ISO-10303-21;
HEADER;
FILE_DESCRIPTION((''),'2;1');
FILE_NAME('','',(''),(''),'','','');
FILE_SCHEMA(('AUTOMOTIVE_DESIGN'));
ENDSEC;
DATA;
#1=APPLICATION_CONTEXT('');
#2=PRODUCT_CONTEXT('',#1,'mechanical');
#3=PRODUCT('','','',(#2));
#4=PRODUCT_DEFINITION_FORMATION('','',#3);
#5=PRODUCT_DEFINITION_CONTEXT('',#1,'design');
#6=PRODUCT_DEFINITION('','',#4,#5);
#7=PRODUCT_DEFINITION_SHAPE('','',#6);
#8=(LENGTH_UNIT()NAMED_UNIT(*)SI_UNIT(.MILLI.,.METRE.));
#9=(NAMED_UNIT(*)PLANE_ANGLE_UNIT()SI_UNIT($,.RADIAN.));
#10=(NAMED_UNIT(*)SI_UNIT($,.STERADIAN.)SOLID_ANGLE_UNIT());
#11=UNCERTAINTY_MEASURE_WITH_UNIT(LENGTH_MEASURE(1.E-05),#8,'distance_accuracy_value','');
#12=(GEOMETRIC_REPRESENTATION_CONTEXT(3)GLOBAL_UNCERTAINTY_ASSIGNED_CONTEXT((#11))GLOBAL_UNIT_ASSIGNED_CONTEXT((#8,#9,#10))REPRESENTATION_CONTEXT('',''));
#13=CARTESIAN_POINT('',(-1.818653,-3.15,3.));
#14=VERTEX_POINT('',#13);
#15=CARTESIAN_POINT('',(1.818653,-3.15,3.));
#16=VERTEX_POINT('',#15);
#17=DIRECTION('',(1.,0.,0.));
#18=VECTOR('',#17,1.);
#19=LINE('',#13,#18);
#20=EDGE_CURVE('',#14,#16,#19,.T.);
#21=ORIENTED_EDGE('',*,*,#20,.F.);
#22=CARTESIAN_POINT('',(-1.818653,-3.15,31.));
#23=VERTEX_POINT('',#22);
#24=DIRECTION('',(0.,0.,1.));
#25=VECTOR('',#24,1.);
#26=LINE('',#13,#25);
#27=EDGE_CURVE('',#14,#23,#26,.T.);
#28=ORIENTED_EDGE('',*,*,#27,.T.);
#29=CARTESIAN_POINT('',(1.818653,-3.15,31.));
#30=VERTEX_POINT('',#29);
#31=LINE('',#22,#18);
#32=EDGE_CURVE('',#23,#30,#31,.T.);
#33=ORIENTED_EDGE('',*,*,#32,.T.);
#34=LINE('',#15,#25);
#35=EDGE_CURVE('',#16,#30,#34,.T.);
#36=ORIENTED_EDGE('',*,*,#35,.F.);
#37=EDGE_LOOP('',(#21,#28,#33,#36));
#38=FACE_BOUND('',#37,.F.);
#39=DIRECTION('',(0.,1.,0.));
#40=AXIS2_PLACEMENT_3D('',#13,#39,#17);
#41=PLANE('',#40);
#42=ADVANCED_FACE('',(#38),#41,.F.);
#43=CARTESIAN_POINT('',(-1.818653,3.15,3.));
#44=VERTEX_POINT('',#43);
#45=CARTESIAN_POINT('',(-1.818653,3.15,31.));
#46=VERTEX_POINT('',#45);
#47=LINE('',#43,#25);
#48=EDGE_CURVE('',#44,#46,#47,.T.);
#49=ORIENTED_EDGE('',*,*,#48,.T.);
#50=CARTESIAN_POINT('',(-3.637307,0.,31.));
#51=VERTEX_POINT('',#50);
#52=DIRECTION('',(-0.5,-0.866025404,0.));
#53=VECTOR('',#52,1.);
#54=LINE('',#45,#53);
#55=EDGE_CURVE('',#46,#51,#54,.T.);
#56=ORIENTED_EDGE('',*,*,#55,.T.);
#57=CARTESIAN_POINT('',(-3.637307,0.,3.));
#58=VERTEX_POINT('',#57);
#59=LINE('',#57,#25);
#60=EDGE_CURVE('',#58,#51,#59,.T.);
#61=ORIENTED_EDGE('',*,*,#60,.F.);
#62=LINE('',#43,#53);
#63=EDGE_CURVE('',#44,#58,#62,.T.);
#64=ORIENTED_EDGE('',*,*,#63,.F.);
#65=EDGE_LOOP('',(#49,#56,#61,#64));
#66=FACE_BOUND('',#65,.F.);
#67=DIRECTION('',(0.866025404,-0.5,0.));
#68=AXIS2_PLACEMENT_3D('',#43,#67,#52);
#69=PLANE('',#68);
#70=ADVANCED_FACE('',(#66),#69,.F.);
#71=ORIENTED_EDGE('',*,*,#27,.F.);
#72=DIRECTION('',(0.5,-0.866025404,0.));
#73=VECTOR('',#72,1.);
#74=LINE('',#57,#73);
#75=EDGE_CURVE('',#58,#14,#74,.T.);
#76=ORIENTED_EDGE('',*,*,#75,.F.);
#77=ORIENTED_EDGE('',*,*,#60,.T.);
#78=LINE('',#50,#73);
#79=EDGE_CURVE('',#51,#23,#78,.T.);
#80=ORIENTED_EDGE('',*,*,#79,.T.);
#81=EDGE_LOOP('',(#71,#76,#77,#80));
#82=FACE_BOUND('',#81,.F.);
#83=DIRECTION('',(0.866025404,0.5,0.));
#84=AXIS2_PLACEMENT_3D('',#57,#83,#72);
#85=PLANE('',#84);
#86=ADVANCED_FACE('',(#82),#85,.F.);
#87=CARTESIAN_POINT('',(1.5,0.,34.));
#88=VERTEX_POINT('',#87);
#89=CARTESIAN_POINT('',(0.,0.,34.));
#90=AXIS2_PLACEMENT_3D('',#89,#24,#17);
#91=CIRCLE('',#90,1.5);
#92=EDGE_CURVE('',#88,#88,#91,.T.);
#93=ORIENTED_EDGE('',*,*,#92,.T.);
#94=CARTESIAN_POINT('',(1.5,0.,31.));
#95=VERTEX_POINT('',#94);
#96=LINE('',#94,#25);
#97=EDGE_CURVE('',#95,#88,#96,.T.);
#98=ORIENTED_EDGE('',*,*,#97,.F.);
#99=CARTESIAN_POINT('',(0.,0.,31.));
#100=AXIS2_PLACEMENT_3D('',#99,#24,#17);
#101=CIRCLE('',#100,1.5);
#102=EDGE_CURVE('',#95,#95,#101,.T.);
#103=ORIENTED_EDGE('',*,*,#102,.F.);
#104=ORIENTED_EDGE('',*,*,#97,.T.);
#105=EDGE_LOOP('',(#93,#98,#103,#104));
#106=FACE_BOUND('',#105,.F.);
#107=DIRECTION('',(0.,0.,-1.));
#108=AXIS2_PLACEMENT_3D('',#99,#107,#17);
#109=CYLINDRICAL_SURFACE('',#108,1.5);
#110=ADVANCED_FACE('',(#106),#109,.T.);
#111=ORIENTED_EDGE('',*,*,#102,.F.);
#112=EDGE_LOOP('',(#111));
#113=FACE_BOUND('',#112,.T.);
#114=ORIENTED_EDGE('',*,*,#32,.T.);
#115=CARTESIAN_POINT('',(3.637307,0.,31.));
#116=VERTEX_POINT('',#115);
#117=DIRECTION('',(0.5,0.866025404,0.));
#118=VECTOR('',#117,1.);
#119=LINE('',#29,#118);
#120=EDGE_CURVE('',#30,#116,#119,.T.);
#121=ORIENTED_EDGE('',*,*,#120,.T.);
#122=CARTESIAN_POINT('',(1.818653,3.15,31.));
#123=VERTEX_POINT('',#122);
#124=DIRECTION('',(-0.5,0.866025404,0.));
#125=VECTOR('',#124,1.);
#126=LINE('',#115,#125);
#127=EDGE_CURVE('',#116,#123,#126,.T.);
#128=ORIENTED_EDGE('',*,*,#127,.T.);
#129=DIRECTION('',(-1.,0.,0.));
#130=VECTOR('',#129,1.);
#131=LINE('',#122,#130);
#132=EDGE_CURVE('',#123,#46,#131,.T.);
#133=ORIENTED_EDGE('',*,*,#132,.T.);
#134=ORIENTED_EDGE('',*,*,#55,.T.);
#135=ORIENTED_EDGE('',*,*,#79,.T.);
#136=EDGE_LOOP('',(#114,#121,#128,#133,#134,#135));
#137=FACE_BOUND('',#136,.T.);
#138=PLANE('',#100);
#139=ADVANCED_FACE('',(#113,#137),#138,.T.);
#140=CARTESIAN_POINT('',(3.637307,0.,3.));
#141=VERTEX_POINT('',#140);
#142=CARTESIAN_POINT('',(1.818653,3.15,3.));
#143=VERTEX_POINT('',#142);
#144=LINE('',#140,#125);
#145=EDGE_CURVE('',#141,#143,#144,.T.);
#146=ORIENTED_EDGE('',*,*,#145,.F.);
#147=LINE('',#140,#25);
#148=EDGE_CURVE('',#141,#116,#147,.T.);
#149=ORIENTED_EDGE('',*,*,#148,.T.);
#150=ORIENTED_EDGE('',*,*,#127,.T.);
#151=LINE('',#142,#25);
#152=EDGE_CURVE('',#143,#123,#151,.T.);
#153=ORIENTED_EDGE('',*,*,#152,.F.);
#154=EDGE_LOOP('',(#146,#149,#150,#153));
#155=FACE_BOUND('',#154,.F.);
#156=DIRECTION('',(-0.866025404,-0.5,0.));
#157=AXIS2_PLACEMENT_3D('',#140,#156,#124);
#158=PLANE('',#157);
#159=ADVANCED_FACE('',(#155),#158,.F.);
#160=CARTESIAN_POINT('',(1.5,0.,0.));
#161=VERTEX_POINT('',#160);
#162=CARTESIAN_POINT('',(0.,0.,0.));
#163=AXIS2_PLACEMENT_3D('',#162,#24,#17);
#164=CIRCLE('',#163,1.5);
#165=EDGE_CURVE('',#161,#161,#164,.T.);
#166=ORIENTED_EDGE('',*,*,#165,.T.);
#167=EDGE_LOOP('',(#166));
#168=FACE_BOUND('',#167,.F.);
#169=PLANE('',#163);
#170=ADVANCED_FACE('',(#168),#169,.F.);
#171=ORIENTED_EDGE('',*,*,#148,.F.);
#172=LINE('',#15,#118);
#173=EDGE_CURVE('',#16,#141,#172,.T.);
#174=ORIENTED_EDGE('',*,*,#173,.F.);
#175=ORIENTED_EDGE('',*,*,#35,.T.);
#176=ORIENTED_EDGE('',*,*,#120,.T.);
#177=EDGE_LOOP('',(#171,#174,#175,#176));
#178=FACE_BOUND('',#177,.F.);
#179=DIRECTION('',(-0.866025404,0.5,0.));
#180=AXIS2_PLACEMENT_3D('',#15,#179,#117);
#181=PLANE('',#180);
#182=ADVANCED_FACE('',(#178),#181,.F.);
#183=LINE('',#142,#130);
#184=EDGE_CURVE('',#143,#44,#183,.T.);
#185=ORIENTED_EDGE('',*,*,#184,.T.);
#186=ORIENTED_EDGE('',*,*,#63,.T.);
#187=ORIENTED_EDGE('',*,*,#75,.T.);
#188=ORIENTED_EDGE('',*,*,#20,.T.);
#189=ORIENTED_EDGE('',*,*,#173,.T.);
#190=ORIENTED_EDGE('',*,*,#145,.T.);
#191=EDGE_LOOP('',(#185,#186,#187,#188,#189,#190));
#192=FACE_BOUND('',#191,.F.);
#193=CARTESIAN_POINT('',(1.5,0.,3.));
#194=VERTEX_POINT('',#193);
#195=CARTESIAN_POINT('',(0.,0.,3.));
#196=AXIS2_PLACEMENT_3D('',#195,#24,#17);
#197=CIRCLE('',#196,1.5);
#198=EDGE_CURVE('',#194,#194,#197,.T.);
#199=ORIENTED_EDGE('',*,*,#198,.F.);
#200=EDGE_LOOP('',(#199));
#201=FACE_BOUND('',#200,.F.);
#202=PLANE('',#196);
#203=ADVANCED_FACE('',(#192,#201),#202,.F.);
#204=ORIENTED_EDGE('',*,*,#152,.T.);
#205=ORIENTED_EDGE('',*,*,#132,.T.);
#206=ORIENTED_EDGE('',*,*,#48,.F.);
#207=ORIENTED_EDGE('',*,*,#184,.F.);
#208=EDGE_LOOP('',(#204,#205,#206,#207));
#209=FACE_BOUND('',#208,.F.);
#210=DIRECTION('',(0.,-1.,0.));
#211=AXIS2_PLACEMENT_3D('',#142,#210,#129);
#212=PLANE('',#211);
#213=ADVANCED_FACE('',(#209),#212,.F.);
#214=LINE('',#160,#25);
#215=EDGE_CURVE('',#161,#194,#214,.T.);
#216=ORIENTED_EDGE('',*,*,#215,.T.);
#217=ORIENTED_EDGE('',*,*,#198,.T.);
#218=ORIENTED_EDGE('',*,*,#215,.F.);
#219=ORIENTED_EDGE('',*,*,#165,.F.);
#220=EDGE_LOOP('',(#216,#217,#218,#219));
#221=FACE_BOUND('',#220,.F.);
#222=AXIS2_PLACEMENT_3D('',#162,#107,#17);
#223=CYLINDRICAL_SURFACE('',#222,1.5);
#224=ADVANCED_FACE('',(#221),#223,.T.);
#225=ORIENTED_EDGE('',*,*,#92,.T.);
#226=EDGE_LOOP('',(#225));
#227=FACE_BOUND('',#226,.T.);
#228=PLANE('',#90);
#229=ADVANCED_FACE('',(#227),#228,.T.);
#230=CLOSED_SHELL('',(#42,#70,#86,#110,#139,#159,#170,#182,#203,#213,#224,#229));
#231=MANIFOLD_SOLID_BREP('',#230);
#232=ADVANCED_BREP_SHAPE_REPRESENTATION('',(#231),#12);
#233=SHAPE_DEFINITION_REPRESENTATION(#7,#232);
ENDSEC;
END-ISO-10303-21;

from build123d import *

# Parameters (mm, degrees)
F0_R     = 1.5
F1_DEPTH = 3
F2_R     = 1.5
F3_DEPTH = 28
F4_R     = 1.5
F5_DEPTH = 3


with BuildPart() as f1:
    # F0 (on Top) → F1 (new body)
    with BuildSketch(Plane.XY):
        Circle(F0_R)
    extrude(amount=F1_DEPTH)

    # F2 (on face) → F3 (join)
    with BuildSketch(Plane.XY.offset(3)):
        Polygon((1.8186533479, 3.15), (-1.8186533479, 3.15), (-3.6373066959, 0), (-1.8186533479, -3.15), (1.8186533479, -3.15), (3.6373066959, 0), align=None)
        Circle(F2_R, mode=Mode.SUBTRACT)
        Circle(F2_R)
    extrude(amount=F3_DEPTH)

    # F4 (on face) → F5 (join)
    with BuildSketch(Plane.XY.offset(31)):
        Circle(F4_R)
    extrude(amount=F5_DEPTH)


solid = f1.part
